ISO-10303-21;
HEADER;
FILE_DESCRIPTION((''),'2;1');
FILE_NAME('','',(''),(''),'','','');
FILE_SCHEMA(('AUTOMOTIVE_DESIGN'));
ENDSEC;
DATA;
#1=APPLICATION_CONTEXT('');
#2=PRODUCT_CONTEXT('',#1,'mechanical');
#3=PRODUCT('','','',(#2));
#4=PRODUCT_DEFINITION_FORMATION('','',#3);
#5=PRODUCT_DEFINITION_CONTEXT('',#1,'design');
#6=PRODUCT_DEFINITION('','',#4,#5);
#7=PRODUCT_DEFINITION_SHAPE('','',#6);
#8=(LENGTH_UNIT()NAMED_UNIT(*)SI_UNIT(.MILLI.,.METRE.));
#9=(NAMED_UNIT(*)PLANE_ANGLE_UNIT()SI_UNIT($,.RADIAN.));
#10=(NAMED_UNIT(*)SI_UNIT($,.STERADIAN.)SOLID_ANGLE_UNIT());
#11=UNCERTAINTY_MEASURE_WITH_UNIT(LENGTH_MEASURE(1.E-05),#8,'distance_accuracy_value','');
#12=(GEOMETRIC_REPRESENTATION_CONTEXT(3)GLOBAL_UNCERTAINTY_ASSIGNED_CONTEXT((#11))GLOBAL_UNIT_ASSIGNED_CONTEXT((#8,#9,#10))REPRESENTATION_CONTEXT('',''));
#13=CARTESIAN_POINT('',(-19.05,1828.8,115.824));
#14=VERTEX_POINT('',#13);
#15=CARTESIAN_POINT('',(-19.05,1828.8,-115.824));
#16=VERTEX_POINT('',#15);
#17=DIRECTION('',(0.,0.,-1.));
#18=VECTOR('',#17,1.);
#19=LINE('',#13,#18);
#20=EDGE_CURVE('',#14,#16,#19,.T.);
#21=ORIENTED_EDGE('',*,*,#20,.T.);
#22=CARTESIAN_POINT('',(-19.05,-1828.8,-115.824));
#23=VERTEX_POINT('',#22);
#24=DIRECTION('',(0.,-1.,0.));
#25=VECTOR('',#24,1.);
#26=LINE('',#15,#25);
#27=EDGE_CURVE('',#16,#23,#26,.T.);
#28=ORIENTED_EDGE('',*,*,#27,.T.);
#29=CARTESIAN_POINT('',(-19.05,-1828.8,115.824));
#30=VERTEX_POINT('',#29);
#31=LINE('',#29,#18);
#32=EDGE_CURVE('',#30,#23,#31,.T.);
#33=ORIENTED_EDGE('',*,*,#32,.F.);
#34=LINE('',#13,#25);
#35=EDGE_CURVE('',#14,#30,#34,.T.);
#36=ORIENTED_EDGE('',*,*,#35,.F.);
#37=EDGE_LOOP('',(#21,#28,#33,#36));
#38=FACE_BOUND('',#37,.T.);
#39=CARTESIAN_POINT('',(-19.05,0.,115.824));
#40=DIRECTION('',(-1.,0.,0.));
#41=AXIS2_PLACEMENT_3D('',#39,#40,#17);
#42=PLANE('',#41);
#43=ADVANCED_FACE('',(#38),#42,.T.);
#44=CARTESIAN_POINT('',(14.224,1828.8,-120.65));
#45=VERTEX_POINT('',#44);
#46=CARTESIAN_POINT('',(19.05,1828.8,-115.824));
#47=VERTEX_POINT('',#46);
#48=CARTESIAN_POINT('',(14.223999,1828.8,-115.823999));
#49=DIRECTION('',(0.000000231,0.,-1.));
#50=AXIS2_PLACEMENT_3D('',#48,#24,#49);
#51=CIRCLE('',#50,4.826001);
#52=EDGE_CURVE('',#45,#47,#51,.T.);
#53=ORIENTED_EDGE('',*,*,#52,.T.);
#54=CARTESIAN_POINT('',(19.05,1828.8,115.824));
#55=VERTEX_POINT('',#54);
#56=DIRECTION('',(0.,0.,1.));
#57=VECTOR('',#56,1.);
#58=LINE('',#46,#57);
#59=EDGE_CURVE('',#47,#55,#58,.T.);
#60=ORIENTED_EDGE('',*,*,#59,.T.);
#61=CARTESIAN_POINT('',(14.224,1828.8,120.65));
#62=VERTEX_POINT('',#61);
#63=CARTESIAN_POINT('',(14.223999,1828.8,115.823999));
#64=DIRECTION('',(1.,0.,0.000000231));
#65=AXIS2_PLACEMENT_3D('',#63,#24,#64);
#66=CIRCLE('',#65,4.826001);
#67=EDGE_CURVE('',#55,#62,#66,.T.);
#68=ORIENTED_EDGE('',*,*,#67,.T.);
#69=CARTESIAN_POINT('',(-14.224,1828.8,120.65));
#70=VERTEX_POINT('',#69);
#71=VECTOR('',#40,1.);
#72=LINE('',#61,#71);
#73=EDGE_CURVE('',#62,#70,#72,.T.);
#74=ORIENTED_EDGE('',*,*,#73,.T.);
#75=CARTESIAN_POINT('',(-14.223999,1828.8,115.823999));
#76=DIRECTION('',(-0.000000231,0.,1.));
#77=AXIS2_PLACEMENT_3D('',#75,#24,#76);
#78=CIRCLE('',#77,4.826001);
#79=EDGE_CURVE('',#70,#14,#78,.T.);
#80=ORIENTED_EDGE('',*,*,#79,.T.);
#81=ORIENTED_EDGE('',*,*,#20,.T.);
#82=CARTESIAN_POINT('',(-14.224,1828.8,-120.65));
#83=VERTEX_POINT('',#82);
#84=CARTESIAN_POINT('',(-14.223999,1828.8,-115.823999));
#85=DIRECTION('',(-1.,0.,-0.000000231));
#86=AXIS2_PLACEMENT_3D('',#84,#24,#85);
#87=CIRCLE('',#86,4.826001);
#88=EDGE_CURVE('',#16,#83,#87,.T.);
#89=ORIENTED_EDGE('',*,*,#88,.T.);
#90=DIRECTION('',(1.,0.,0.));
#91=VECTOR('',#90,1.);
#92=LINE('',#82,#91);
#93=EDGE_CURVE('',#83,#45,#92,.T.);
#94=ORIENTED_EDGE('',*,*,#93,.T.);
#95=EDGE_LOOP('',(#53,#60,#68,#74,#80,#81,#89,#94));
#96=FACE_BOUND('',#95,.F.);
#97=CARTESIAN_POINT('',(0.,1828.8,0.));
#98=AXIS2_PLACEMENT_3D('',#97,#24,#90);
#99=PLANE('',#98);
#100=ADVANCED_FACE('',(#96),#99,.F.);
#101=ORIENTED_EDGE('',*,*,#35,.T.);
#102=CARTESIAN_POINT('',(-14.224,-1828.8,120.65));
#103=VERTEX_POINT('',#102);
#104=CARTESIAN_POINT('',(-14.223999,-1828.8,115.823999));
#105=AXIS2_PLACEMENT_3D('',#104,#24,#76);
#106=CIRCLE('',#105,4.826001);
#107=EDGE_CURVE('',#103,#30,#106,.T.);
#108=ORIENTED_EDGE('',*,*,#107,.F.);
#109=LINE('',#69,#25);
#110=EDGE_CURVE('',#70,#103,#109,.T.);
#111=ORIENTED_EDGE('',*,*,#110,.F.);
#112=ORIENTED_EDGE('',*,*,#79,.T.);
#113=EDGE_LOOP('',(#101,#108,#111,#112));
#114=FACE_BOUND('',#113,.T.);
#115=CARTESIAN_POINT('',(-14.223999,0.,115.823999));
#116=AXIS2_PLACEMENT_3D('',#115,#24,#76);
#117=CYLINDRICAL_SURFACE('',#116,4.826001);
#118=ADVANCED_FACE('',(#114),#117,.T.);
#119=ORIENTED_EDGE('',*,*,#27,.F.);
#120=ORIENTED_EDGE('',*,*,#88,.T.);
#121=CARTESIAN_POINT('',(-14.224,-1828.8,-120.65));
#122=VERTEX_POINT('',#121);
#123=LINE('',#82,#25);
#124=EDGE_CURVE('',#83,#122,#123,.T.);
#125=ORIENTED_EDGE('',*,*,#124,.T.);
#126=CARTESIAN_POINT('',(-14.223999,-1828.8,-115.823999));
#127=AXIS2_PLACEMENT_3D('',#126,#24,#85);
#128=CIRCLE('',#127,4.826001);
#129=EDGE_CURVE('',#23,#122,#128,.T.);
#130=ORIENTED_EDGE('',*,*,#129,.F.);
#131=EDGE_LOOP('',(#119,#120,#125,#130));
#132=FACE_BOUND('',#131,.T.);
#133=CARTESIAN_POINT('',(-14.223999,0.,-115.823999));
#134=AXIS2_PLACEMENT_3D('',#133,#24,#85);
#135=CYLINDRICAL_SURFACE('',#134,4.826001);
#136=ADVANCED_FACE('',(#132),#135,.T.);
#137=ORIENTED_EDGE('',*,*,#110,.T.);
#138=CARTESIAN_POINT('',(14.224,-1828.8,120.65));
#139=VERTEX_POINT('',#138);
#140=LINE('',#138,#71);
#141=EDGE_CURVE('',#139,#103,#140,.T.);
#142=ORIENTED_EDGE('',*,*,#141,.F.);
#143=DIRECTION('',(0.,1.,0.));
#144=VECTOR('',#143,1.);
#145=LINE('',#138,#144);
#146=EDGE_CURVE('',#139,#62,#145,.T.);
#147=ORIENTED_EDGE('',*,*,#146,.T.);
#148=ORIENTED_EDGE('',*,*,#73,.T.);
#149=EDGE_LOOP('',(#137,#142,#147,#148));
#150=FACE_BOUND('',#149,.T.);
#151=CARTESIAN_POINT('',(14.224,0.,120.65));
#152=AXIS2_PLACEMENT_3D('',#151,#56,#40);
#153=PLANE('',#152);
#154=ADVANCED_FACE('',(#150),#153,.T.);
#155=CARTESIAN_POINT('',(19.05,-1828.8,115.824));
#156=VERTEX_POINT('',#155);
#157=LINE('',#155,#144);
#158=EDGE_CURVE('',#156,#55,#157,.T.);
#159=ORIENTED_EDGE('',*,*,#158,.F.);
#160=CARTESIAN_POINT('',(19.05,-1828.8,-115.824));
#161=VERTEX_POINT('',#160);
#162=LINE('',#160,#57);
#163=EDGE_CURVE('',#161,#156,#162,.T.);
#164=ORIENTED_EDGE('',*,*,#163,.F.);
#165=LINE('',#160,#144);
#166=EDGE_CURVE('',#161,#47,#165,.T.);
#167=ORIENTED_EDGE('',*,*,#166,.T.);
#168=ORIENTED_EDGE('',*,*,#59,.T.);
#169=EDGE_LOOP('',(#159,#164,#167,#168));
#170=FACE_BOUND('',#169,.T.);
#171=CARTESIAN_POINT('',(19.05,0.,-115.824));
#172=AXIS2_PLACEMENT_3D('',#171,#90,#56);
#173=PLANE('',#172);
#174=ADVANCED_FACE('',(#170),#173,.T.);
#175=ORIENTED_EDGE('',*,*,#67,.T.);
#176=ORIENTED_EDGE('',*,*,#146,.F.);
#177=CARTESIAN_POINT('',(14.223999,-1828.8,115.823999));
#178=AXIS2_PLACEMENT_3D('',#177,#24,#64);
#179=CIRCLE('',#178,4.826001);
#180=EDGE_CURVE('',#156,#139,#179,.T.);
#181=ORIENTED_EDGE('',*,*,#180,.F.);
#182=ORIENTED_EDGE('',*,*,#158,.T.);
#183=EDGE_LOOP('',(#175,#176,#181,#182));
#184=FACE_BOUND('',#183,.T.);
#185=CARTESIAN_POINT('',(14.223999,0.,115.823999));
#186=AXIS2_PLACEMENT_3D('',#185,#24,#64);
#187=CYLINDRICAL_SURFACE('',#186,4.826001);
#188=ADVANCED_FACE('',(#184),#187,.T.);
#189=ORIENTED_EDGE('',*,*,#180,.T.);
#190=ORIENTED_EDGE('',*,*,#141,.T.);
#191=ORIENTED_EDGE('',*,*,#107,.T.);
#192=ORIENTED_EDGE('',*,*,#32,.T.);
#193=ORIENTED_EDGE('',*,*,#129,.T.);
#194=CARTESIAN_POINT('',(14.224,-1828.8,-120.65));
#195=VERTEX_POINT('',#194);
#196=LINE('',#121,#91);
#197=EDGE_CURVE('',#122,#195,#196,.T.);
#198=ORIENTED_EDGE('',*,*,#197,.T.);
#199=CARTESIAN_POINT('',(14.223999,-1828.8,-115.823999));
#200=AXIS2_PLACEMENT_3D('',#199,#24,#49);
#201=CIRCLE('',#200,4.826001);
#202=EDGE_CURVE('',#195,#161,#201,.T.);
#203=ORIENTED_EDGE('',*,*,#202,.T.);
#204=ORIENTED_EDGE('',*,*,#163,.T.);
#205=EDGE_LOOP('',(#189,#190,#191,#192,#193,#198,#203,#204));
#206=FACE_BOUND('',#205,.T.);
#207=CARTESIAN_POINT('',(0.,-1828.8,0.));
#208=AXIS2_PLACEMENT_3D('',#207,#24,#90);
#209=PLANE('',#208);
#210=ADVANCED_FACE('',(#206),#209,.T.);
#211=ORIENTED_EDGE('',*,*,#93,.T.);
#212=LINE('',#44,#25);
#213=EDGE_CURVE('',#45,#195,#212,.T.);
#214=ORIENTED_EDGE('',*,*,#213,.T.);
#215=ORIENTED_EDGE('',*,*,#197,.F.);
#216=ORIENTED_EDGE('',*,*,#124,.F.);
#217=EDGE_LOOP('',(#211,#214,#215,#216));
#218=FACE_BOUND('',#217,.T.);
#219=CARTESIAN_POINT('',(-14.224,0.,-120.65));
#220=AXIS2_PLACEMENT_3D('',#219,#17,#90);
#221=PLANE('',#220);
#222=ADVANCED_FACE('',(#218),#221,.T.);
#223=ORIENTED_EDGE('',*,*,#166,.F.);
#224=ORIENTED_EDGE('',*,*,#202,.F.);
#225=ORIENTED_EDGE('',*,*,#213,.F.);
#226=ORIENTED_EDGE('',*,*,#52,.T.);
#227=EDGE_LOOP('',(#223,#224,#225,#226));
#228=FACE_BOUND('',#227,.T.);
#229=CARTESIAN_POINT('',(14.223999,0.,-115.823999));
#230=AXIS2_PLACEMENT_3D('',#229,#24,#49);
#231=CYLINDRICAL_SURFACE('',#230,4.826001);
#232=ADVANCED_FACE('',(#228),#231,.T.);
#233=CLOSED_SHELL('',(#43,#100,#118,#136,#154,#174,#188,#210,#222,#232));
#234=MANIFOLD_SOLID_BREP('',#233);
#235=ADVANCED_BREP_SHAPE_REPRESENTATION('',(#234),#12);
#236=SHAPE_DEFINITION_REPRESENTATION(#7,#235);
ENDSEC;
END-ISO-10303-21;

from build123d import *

# Parameters (mm, degrees)
F1_DEPTH = 1828.8


with BuildPart() as f1:
    # F0 (on Front) → F1 (new body, symmetric)
    with BuildSketch(Plane.XZ):
        with BuildLine():
            Line((14.224, 120.65), (-14.224, 120.65))
            ThreePointArc((-14.224, 120.65), (-17.636497, 119.236497), (-19.05, 115.824))
            Line((-19.05, 115.824), (-19.05, -115.824))
            ThreePointArc((-19.05, -115.824), (-17.636497, -119.236497), (-14.224, -120.65))
            Line((-14.224, -120.65), (14.224, -120.65))
            ThreePointArc((14.224, -120.65), (17.636497, -119.236497), (19.05, -115.824))
            Line((19.05, -115.824), (19.05, 115.824))
            ThreePointArc((19.05, 115.824), (17.636497, 119.236497), (14.224, 120.65))
        make_face()
    extrude(amount=F1_DEPTH, both=True)


solid = f1.part
